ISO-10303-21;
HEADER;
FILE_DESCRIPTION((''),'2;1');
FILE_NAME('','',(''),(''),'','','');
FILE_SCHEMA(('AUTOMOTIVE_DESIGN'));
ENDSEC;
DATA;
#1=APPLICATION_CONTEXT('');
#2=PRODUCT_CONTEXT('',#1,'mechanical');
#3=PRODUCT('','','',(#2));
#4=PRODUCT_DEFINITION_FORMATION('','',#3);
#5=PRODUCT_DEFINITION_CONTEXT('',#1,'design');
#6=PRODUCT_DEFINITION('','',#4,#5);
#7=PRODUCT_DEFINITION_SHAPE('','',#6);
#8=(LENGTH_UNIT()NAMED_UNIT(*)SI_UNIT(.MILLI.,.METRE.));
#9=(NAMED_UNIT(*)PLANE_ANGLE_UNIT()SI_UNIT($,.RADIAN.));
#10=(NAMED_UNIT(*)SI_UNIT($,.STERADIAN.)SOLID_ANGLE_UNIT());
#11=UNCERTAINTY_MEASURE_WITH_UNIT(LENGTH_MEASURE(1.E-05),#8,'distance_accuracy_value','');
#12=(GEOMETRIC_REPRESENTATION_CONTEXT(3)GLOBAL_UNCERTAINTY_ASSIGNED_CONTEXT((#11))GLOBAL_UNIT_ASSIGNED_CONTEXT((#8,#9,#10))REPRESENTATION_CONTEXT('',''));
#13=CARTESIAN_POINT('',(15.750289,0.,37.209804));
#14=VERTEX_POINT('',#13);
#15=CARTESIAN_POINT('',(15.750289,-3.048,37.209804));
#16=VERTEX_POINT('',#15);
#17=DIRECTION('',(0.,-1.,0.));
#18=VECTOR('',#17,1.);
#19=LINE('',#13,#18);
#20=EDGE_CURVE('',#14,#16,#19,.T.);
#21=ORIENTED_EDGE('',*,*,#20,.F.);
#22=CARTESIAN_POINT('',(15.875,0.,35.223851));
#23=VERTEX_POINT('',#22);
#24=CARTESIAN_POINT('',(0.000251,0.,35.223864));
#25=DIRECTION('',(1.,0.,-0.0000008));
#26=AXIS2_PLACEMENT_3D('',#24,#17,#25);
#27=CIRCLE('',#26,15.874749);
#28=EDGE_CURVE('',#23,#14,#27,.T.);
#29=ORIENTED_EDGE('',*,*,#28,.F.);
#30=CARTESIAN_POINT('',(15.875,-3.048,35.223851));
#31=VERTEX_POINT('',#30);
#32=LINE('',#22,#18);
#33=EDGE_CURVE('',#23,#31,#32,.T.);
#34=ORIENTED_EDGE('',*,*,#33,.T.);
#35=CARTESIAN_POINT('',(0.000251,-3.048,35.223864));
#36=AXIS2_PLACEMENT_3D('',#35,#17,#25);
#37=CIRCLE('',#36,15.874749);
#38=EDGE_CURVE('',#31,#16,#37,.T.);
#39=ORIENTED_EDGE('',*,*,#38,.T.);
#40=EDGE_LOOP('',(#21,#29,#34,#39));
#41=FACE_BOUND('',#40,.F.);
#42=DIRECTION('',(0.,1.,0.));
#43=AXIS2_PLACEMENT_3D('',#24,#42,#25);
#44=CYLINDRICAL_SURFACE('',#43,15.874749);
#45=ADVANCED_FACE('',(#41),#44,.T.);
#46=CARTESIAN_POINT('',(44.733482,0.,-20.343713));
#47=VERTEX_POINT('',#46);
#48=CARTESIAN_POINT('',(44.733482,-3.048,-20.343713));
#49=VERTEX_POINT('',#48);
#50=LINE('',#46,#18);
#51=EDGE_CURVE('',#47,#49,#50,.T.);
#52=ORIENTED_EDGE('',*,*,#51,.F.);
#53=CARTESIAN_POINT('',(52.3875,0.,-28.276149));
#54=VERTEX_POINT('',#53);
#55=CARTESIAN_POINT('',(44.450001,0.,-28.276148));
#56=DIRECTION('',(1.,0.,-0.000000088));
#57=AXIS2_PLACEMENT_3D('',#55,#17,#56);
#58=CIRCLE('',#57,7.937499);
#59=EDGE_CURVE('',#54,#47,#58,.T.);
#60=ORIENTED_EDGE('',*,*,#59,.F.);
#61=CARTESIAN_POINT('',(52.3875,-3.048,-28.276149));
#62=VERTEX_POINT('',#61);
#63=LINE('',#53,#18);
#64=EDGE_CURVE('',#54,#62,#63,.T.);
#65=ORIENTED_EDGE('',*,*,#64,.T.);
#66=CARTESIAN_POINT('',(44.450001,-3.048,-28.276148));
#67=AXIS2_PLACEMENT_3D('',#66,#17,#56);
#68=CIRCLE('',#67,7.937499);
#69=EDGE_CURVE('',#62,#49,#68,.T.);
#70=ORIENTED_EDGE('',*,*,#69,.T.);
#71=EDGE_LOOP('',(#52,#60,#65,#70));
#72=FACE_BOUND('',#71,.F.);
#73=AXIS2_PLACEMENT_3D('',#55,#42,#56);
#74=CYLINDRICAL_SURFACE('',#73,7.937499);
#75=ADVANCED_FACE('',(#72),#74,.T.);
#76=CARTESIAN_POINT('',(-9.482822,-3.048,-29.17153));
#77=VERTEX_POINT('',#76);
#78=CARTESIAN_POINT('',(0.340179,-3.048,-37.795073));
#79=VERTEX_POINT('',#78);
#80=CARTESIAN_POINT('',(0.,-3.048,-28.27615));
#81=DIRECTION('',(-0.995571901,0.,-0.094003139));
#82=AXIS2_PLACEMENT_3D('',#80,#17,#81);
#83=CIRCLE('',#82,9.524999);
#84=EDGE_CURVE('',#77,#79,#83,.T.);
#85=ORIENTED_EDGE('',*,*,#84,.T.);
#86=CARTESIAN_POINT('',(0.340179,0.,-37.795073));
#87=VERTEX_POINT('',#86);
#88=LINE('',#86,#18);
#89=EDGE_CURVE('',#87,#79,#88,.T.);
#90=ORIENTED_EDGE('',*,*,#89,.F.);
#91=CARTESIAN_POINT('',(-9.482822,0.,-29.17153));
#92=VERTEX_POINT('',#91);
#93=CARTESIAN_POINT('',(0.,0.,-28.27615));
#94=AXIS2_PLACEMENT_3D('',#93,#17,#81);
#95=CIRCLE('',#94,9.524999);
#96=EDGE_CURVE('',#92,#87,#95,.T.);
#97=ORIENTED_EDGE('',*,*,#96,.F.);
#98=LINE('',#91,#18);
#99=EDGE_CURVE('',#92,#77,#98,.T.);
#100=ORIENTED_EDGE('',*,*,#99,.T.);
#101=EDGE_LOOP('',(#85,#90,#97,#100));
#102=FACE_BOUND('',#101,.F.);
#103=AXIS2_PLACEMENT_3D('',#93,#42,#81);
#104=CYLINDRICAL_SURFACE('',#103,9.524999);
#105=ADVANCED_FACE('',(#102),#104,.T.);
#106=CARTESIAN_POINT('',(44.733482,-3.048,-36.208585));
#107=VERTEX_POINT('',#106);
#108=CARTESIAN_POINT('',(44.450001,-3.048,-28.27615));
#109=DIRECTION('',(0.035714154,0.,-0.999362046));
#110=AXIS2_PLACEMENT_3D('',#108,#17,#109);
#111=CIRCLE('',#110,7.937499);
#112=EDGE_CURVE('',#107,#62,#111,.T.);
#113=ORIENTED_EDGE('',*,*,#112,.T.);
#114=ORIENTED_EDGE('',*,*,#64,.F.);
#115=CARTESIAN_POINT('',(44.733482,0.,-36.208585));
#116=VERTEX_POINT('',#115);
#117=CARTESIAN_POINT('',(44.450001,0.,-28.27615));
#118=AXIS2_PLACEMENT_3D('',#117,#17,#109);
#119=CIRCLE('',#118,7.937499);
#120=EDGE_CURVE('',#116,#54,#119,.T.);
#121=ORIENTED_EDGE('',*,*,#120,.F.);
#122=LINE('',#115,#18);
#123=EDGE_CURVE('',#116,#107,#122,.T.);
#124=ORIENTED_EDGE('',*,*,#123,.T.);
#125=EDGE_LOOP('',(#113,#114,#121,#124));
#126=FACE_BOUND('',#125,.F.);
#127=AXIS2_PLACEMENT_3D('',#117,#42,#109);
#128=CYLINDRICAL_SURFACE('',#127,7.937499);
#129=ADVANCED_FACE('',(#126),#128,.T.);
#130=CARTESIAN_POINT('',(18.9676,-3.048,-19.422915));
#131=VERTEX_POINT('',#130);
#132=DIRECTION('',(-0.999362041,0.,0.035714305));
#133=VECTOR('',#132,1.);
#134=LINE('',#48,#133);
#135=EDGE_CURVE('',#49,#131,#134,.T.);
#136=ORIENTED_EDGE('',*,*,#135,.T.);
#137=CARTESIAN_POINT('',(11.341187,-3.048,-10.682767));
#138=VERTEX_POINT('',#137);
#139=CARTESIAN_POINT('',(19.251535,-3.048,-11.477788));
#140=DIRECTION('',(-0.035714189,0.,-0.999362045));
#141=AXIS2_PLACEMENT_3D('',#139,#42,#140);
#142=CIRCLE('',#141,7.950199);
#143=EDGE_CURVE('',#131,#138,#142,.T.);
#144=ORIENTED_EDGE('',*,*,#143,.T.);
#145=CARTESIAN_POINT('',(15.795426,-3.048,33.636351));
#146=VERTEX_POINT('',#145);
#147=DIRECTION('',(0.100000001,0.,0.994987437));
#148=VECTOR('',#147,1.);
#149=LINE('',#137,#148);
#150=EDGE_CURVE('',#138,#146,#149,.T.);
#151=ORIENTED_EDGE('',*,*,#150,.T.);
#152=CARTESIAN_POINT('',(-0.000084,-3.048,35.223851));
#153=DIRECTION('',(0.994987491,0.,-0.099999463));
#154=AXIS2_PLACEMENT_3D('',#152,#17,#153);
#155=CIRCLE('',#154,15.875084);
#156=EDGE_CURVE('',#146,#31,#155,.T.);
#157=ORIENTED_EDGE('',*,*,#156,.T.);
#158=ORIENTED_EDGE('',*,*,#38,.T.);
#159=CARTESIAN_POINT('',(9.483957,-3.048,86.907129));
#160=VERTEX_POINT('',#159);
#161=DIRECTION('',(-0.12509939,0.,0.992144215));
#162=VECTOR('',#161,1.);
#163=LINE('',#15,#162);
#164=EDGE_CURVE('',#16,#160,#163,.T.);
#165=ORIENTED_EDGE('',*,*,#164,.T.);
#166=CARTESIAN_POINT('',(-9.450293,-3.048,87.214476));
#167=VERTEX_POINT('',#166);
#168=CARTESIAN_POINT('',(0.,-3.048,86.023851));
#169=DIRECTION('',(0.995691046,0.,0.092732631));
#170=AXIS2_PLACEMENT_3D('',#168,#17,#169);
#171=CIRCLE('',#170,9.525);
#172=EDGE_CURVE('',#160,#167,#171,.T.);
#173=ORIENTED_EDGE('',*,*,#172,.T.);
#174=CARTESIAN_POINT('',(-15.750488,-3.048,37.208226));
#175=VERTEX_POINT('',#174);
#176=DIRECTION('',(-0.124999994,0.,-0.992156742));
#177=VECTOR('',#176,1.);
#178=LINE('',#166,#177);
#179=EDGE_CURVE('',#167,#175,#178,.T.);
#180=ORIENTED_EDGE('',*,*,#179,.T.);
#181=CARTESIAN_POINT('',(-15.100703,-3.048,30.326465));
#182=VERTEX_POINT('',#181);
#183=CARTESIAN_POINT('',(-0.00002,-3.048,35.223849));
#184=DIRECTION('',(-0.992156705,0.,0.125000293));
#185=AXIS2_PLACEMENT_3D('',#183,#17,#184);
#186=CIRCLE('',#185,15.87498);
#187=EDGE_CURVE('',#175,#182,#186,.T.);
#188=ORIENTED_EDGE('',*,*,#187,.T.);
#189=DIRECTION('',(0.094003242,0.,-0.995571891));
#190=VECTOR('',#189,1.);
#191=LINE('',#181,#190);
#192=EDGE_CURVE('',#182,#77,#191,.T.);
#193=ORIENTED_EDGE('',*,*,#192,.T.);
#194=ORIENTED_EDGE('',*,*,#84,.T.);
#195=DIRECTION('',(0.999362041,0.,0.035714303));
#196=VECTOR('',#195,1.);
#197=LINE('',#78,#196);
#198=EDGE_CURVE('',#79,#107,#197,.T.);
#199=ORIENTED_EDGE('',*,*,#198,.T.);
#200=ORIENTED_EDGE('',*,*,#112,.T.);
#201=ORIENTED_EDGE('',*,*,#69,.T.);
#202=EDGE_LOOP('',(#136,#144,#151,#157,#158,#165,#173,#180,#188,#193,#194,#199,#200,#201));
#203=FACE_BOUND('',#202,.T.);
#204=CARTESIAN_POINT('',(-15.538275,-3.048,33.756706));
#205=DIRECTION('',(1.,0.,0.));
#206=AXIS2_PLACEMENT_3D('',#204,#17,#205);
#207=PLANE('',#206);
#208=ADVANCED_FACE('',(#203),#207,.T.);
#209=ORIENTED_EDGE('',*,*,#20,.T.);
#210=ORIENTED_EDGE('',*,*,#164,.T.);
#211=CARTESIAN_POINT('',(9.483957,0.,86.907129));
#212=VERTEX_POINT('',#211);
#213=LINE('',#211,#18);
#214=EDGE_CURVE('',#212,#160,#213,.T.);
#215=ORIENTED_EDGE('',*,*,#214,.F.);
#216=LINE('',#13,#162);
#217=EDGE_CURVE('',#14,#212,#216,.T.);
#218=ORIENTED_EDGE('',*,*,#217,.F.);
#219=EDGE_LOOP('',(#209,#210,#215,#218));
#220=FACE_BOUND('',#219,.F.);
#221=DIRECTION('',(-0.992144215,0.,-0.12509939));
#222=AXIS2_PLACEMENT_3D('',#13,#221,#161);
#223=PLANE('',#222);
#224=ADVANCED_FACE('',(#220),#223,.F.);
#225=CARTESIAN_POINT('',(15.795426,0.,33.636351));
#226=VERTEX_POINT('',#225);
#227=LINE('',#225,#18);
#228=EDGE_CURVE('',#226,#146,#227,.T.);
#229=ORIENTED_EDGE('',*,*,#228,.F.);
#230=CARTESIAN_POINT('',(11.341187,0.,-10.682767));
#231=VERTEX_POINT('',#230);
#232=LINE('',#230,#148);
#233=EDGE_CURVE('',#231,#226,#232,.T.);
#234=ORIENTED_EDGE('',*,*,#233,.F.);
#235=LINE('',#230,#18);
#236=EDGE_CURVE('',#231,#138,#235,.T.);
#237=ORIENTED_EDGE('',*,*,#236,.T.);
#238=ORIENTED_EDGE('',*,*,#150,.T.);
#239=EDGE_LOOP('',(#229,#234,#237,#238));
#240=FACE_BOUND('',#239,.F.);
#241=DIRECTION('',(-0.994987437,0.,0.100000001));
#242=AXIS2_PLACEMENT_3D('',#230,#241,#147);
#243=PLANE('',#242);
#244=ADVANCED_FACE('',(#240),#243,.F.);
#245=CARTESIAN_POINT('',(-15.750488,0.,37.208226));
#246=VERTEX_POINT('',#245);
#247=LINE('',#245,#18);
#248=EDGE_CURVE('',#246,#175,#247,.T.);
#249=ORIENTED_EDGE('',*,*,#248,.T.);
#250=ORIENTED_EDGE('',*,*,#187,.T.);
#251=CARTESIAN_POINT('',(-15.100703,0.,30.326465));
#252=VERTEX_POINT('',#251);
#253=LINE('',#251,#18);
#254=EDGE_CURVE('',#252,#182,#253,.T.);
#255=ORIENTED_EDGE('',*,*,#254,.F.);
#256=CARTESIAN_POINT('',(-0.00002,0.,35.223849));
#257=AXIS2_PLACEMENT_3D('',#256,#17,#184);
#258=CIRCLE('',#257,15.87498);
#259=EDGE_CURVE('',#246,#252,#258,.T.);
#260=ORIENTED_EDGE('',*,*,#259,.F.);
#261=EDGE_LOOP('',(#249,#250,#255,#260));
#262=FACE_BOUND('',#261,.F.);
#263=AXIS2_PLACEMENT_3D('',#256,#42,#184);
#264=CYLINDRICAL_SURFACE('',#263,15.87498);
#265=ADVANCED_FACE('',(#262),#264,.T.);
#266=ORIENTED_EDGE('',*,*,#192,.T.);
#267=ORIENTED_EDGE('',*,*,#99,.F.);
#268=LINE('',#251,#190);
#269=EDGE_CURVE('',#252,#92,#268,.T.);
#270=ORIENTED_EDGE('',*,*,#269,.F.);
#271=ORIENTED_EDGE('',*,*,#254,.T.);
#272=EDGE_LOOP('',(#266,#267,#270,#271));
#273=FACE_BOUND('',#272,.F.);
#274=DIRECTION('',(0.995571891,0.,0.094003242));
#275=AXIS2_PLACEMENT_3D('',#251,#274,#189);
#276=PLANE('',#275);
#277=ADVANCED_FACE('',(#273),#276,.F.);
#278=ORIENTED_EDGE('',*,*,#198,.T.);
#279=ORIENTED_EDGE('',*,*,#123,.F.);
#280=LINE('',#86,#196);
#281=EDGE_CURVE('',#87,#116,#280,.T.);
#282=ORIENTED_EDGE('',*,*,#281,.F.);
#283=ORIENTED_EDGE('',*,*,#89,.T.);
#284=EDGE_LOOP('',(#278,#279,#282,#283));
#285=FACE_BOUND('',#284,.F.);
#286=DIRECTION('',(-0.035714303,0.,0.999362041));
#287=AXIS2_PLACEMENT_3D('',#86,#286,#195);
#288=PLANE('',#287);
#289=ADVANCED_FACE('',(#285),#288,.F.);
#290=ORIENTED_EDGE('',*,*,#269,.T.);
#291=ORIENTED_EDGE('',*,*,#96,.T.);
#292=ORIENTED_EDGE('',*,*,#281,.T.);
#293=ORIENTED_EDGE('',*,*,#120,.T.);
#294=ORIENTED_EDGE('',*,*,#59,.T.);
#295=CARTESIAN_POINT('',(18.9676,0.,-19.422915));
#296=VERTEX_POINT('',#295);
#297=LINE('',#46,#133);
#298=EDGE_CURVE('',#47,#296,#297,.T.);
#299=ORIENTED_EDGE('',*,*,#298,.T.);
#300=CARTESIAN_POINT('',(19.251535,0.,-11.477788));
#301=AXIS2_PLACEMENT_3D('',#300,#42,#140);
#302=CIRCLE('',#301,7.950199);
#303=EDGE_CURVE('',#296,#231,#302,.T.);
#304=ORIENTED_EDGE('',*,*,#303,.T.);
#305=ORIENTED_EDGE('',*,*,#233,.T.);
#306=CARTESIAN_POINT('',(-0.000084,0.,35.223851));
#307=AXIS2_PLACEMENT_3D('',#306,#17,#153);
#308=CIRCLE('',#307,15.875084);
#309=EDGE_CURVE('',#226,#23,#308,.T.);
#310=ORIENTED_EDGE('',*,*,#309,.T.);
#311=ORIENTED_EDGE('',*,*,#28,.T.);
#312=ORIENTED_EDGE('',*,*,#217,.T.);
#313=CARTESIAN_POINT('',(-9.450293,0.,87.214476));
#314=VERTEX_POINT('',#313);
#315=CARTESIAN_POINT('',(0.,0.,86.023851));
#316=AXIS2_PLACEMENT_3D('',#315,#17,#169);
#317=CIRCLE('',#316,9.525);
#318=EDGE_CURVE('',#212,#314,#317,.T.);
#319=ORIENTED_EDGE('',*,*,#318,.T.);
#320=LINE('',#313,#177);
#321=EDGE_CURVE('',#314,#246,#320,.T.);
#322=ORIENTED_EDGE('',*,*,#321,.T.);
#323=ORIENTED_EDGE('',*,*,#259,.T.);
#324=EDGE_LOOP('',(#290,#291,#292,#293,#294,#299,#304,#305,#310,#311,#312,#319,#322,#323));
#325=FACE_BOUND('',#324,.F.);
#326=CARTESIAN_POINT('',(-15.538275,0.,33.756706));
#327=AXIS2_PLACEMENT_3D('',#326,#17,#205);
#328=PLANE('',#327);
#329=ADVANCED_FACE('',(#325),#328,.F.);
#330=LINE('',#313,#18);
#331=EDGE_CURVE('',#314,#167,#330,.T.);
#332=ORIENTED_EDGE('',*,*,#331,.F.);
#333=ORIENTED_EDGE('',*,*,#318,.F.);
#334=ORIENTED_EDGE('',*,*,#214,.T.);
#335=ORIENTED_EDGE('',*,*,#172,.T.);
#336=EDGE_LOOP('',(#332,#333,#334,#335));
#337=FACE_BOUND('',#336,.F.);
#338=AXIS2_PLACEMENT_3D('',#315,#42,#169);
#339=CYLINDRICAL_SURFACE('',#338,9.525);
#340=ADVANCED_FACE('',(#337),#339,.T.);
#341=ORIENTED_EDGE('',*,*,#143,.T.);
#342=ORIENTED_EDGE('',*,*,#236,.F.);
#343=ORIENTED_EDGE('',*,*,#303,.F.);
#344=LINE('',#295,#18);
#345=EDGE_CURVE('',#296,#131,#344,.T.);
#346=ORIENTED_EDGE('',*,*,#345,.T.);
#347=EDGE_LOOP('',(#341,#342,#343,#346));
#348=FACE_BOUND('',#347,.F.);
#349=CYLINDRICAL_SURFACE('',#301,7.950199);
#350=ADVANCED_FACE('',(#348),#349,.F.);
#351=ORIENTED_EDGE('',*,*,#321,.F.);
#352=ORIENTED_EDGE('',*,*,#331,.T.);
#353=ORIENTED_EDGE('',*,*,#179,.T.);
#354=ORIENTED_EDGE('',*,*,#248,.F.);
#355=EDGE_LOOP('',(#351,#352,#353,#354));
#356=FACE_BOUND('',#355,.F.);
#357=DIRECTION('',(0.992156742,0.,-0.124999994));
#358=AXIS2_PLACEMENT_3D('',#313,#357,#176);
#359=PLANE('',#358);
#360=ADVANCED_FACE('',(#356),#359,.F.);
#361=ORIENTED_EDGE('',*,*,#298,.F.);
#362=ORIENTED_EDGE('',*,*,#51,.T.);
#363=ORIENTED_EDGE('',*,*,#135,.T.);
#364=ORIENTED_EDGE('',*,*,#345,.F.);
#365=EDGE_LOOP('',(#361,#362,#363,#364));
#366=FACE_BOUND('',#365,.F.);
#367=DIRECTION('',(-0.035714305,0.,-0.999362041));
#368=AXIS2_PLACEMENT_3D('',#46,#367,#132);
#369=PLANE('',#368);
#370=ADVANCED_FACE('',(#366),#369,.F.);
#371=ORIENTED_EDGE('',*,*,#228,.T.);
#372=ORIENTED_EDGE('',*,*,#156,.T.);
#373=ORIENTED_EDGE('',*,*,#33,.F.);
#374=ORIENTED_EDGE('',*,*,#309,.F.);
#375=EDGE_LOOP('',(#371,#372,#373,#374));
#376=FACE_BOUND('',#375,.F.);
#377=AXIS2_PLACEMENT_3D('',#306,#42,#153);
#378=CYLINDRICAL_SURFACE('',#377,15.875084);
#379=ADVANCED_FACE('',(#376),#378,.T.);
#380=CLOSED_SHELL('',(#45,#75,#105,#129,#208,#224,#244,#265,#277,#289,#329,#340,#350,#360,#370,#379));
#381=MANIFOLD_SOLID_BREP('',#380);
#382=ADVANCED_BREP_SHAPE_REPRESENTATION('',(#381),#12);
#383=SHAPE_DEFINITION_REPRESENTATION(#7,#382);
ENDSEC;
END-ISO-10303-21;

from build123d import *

# Parameters (mm, degrees)
F0_R     = 1.5875
F1_DEPTH = 3.048


with BuildPart() as f1:
    # F0 (on Front) → F1 (new body)
    with BuildSketch(Plane.XZ):
        with BuildLine():
            Line((-15.100703, 30.326465), (-15.750488, 37.208226))
            ThreePointArc((-15.750488, 37.208226), (-15.804704, 33.731549), (-15.100703, 30.326465))
        make_face()
        with BuildLine():
            ThreePointArc((-9.450293, 87.214476), (-0.596483, 76.517546), (9.525, 86.023851))
            ThreePointArc((9.525, 86.023851), (9.514734, 86.465966), (9.483957, 86.907129))
            ThreePointArc((9.483957, 86.907129), (0.154593, 95.547596), (-9.450293, 87.214476))
        make_face()
        with Locations((0, 86.023851)):
            Circle(F0_R, mode=Mode.SUBTRACT)
        with BuildLine():
            ThreePointArc((9.525, -28.276149), (-0.448187, -18.761699), (-9.482822, -29.17153))
            ThreePointArc((-9.482822, -29.17153), (-6.283976, -35.434171), (0.340179, -37.795073))
            ThreePointArc((0.340179, -37.795073), (6.854408, -34.889977), (9.525, -28.276149))
        make_face()
        with Locations((0, -28.276149)):
            Circle(F0_R, mode=Mode.SUBTRACT)
        with BuildLine():
            ThreePointArc((44.733482, -20.343713), (36.5125, -28.276149), (44.733482, -36.208585))
            ThreePointArc((44.733482, -36.208585), (50.162007, -33.787672), (52.3875, -28.276149))
            ThreePointArc((52.3875, -28.276149), (50.162007, -22.764626), (44.733482, -20.343713))
        make_face()
        with Locations((44.45, -28.276149)):
            Circle(F0_R, mode=Mode.SUBTRACT)
        with BuildLine():
            ThreePointArc((9.483957, 86.907129), (9.514734, 86.465966), (9.525, 86.023851))
            ThreePointArc((9.525, 86.023851), (-0.596483, 76.517546), (-9.450293, 87.214476))
            Line((-9.450293, 87.214476), (-15.750488, 37.208226))
            ThreePointArc((-15.750488, 37.208226), (-0.000795, 51.098851), (15.750289, 37.209804))
            Line((15.750289, 37.209804), (9.483957, 86.907129))
        make_face()
        with Locations((-6.508044, 71.749051)):
            Circle(F0_R, mode=Mode.SUBTRACT)
        with BuildLine():
            ThreePointArc((15.795426, 33.636351), (1.691005, 19.439171), (-15.100703, 30.326465))
            Line((-15.100703, 30.326465), (-9.482822, -29.17153))
            ThreePointArc((-9.482822, -29.17153), (-0.448187, -18.761699), (9.525, -28.276149))
            ThreePointArc((9.525, -28.276149), (6.854408, -34.889977), (0.340179, -37.795073))
            Line((0.340179, -37.795073), (44.733482, -36.208585))
            ThreePointArc((44.733482, -36.208585), (36.5125, -28.276149), (44.733482, -20.343713))
            Line((44.733482, -20.343713), (18.9676, -19.422915))
            ThreePointArc((18.9676, -19.422915), (13.2612, -16.70479), (11.341187, -10.682767))
            Line((11.341187, -10.682767), (15.795426, 33.636351))
        make_face()
        with BuildLine():
            ThreePointArc((15.875, 35.223851), (15.843792, 36.218783), (15.750289, 37.209804))
            ThreePointArc((15.750289, 37.209804), (-0.000795, 51.098851), (-15.750488, 37.208226))
            Line((-15.750488, 37.208226), (-15.100703, 30.326465))
            ThreePointArc((-15.100703, 30.326465), (1.691005, 19.439171), (15.795426, 33.636351))
            ThreePointArc((15.795426, 33.636351), (15.855094, 34.429104), (15.875, 35.223851))
        make_face()
        with Locations((0, 35.223851)):
            Circle(F0_R, mode=Mode.SUBTRACT)
        with Locations((-6.508044, 71.749051)):
            Circle(F0_R)
        with Locations((0, 35.223851)):
            Circle(F0_R)
        with Locations((0, 86.023851)):
            Circle(F0_R)
        with Locations((44.45, -28.276149)):
            Circle(F0_R)
        with Locations((0, -28.276149)):
            Circle(F0_R)
    extrude(amount=F1_DEPTH)


solid = f1.part
